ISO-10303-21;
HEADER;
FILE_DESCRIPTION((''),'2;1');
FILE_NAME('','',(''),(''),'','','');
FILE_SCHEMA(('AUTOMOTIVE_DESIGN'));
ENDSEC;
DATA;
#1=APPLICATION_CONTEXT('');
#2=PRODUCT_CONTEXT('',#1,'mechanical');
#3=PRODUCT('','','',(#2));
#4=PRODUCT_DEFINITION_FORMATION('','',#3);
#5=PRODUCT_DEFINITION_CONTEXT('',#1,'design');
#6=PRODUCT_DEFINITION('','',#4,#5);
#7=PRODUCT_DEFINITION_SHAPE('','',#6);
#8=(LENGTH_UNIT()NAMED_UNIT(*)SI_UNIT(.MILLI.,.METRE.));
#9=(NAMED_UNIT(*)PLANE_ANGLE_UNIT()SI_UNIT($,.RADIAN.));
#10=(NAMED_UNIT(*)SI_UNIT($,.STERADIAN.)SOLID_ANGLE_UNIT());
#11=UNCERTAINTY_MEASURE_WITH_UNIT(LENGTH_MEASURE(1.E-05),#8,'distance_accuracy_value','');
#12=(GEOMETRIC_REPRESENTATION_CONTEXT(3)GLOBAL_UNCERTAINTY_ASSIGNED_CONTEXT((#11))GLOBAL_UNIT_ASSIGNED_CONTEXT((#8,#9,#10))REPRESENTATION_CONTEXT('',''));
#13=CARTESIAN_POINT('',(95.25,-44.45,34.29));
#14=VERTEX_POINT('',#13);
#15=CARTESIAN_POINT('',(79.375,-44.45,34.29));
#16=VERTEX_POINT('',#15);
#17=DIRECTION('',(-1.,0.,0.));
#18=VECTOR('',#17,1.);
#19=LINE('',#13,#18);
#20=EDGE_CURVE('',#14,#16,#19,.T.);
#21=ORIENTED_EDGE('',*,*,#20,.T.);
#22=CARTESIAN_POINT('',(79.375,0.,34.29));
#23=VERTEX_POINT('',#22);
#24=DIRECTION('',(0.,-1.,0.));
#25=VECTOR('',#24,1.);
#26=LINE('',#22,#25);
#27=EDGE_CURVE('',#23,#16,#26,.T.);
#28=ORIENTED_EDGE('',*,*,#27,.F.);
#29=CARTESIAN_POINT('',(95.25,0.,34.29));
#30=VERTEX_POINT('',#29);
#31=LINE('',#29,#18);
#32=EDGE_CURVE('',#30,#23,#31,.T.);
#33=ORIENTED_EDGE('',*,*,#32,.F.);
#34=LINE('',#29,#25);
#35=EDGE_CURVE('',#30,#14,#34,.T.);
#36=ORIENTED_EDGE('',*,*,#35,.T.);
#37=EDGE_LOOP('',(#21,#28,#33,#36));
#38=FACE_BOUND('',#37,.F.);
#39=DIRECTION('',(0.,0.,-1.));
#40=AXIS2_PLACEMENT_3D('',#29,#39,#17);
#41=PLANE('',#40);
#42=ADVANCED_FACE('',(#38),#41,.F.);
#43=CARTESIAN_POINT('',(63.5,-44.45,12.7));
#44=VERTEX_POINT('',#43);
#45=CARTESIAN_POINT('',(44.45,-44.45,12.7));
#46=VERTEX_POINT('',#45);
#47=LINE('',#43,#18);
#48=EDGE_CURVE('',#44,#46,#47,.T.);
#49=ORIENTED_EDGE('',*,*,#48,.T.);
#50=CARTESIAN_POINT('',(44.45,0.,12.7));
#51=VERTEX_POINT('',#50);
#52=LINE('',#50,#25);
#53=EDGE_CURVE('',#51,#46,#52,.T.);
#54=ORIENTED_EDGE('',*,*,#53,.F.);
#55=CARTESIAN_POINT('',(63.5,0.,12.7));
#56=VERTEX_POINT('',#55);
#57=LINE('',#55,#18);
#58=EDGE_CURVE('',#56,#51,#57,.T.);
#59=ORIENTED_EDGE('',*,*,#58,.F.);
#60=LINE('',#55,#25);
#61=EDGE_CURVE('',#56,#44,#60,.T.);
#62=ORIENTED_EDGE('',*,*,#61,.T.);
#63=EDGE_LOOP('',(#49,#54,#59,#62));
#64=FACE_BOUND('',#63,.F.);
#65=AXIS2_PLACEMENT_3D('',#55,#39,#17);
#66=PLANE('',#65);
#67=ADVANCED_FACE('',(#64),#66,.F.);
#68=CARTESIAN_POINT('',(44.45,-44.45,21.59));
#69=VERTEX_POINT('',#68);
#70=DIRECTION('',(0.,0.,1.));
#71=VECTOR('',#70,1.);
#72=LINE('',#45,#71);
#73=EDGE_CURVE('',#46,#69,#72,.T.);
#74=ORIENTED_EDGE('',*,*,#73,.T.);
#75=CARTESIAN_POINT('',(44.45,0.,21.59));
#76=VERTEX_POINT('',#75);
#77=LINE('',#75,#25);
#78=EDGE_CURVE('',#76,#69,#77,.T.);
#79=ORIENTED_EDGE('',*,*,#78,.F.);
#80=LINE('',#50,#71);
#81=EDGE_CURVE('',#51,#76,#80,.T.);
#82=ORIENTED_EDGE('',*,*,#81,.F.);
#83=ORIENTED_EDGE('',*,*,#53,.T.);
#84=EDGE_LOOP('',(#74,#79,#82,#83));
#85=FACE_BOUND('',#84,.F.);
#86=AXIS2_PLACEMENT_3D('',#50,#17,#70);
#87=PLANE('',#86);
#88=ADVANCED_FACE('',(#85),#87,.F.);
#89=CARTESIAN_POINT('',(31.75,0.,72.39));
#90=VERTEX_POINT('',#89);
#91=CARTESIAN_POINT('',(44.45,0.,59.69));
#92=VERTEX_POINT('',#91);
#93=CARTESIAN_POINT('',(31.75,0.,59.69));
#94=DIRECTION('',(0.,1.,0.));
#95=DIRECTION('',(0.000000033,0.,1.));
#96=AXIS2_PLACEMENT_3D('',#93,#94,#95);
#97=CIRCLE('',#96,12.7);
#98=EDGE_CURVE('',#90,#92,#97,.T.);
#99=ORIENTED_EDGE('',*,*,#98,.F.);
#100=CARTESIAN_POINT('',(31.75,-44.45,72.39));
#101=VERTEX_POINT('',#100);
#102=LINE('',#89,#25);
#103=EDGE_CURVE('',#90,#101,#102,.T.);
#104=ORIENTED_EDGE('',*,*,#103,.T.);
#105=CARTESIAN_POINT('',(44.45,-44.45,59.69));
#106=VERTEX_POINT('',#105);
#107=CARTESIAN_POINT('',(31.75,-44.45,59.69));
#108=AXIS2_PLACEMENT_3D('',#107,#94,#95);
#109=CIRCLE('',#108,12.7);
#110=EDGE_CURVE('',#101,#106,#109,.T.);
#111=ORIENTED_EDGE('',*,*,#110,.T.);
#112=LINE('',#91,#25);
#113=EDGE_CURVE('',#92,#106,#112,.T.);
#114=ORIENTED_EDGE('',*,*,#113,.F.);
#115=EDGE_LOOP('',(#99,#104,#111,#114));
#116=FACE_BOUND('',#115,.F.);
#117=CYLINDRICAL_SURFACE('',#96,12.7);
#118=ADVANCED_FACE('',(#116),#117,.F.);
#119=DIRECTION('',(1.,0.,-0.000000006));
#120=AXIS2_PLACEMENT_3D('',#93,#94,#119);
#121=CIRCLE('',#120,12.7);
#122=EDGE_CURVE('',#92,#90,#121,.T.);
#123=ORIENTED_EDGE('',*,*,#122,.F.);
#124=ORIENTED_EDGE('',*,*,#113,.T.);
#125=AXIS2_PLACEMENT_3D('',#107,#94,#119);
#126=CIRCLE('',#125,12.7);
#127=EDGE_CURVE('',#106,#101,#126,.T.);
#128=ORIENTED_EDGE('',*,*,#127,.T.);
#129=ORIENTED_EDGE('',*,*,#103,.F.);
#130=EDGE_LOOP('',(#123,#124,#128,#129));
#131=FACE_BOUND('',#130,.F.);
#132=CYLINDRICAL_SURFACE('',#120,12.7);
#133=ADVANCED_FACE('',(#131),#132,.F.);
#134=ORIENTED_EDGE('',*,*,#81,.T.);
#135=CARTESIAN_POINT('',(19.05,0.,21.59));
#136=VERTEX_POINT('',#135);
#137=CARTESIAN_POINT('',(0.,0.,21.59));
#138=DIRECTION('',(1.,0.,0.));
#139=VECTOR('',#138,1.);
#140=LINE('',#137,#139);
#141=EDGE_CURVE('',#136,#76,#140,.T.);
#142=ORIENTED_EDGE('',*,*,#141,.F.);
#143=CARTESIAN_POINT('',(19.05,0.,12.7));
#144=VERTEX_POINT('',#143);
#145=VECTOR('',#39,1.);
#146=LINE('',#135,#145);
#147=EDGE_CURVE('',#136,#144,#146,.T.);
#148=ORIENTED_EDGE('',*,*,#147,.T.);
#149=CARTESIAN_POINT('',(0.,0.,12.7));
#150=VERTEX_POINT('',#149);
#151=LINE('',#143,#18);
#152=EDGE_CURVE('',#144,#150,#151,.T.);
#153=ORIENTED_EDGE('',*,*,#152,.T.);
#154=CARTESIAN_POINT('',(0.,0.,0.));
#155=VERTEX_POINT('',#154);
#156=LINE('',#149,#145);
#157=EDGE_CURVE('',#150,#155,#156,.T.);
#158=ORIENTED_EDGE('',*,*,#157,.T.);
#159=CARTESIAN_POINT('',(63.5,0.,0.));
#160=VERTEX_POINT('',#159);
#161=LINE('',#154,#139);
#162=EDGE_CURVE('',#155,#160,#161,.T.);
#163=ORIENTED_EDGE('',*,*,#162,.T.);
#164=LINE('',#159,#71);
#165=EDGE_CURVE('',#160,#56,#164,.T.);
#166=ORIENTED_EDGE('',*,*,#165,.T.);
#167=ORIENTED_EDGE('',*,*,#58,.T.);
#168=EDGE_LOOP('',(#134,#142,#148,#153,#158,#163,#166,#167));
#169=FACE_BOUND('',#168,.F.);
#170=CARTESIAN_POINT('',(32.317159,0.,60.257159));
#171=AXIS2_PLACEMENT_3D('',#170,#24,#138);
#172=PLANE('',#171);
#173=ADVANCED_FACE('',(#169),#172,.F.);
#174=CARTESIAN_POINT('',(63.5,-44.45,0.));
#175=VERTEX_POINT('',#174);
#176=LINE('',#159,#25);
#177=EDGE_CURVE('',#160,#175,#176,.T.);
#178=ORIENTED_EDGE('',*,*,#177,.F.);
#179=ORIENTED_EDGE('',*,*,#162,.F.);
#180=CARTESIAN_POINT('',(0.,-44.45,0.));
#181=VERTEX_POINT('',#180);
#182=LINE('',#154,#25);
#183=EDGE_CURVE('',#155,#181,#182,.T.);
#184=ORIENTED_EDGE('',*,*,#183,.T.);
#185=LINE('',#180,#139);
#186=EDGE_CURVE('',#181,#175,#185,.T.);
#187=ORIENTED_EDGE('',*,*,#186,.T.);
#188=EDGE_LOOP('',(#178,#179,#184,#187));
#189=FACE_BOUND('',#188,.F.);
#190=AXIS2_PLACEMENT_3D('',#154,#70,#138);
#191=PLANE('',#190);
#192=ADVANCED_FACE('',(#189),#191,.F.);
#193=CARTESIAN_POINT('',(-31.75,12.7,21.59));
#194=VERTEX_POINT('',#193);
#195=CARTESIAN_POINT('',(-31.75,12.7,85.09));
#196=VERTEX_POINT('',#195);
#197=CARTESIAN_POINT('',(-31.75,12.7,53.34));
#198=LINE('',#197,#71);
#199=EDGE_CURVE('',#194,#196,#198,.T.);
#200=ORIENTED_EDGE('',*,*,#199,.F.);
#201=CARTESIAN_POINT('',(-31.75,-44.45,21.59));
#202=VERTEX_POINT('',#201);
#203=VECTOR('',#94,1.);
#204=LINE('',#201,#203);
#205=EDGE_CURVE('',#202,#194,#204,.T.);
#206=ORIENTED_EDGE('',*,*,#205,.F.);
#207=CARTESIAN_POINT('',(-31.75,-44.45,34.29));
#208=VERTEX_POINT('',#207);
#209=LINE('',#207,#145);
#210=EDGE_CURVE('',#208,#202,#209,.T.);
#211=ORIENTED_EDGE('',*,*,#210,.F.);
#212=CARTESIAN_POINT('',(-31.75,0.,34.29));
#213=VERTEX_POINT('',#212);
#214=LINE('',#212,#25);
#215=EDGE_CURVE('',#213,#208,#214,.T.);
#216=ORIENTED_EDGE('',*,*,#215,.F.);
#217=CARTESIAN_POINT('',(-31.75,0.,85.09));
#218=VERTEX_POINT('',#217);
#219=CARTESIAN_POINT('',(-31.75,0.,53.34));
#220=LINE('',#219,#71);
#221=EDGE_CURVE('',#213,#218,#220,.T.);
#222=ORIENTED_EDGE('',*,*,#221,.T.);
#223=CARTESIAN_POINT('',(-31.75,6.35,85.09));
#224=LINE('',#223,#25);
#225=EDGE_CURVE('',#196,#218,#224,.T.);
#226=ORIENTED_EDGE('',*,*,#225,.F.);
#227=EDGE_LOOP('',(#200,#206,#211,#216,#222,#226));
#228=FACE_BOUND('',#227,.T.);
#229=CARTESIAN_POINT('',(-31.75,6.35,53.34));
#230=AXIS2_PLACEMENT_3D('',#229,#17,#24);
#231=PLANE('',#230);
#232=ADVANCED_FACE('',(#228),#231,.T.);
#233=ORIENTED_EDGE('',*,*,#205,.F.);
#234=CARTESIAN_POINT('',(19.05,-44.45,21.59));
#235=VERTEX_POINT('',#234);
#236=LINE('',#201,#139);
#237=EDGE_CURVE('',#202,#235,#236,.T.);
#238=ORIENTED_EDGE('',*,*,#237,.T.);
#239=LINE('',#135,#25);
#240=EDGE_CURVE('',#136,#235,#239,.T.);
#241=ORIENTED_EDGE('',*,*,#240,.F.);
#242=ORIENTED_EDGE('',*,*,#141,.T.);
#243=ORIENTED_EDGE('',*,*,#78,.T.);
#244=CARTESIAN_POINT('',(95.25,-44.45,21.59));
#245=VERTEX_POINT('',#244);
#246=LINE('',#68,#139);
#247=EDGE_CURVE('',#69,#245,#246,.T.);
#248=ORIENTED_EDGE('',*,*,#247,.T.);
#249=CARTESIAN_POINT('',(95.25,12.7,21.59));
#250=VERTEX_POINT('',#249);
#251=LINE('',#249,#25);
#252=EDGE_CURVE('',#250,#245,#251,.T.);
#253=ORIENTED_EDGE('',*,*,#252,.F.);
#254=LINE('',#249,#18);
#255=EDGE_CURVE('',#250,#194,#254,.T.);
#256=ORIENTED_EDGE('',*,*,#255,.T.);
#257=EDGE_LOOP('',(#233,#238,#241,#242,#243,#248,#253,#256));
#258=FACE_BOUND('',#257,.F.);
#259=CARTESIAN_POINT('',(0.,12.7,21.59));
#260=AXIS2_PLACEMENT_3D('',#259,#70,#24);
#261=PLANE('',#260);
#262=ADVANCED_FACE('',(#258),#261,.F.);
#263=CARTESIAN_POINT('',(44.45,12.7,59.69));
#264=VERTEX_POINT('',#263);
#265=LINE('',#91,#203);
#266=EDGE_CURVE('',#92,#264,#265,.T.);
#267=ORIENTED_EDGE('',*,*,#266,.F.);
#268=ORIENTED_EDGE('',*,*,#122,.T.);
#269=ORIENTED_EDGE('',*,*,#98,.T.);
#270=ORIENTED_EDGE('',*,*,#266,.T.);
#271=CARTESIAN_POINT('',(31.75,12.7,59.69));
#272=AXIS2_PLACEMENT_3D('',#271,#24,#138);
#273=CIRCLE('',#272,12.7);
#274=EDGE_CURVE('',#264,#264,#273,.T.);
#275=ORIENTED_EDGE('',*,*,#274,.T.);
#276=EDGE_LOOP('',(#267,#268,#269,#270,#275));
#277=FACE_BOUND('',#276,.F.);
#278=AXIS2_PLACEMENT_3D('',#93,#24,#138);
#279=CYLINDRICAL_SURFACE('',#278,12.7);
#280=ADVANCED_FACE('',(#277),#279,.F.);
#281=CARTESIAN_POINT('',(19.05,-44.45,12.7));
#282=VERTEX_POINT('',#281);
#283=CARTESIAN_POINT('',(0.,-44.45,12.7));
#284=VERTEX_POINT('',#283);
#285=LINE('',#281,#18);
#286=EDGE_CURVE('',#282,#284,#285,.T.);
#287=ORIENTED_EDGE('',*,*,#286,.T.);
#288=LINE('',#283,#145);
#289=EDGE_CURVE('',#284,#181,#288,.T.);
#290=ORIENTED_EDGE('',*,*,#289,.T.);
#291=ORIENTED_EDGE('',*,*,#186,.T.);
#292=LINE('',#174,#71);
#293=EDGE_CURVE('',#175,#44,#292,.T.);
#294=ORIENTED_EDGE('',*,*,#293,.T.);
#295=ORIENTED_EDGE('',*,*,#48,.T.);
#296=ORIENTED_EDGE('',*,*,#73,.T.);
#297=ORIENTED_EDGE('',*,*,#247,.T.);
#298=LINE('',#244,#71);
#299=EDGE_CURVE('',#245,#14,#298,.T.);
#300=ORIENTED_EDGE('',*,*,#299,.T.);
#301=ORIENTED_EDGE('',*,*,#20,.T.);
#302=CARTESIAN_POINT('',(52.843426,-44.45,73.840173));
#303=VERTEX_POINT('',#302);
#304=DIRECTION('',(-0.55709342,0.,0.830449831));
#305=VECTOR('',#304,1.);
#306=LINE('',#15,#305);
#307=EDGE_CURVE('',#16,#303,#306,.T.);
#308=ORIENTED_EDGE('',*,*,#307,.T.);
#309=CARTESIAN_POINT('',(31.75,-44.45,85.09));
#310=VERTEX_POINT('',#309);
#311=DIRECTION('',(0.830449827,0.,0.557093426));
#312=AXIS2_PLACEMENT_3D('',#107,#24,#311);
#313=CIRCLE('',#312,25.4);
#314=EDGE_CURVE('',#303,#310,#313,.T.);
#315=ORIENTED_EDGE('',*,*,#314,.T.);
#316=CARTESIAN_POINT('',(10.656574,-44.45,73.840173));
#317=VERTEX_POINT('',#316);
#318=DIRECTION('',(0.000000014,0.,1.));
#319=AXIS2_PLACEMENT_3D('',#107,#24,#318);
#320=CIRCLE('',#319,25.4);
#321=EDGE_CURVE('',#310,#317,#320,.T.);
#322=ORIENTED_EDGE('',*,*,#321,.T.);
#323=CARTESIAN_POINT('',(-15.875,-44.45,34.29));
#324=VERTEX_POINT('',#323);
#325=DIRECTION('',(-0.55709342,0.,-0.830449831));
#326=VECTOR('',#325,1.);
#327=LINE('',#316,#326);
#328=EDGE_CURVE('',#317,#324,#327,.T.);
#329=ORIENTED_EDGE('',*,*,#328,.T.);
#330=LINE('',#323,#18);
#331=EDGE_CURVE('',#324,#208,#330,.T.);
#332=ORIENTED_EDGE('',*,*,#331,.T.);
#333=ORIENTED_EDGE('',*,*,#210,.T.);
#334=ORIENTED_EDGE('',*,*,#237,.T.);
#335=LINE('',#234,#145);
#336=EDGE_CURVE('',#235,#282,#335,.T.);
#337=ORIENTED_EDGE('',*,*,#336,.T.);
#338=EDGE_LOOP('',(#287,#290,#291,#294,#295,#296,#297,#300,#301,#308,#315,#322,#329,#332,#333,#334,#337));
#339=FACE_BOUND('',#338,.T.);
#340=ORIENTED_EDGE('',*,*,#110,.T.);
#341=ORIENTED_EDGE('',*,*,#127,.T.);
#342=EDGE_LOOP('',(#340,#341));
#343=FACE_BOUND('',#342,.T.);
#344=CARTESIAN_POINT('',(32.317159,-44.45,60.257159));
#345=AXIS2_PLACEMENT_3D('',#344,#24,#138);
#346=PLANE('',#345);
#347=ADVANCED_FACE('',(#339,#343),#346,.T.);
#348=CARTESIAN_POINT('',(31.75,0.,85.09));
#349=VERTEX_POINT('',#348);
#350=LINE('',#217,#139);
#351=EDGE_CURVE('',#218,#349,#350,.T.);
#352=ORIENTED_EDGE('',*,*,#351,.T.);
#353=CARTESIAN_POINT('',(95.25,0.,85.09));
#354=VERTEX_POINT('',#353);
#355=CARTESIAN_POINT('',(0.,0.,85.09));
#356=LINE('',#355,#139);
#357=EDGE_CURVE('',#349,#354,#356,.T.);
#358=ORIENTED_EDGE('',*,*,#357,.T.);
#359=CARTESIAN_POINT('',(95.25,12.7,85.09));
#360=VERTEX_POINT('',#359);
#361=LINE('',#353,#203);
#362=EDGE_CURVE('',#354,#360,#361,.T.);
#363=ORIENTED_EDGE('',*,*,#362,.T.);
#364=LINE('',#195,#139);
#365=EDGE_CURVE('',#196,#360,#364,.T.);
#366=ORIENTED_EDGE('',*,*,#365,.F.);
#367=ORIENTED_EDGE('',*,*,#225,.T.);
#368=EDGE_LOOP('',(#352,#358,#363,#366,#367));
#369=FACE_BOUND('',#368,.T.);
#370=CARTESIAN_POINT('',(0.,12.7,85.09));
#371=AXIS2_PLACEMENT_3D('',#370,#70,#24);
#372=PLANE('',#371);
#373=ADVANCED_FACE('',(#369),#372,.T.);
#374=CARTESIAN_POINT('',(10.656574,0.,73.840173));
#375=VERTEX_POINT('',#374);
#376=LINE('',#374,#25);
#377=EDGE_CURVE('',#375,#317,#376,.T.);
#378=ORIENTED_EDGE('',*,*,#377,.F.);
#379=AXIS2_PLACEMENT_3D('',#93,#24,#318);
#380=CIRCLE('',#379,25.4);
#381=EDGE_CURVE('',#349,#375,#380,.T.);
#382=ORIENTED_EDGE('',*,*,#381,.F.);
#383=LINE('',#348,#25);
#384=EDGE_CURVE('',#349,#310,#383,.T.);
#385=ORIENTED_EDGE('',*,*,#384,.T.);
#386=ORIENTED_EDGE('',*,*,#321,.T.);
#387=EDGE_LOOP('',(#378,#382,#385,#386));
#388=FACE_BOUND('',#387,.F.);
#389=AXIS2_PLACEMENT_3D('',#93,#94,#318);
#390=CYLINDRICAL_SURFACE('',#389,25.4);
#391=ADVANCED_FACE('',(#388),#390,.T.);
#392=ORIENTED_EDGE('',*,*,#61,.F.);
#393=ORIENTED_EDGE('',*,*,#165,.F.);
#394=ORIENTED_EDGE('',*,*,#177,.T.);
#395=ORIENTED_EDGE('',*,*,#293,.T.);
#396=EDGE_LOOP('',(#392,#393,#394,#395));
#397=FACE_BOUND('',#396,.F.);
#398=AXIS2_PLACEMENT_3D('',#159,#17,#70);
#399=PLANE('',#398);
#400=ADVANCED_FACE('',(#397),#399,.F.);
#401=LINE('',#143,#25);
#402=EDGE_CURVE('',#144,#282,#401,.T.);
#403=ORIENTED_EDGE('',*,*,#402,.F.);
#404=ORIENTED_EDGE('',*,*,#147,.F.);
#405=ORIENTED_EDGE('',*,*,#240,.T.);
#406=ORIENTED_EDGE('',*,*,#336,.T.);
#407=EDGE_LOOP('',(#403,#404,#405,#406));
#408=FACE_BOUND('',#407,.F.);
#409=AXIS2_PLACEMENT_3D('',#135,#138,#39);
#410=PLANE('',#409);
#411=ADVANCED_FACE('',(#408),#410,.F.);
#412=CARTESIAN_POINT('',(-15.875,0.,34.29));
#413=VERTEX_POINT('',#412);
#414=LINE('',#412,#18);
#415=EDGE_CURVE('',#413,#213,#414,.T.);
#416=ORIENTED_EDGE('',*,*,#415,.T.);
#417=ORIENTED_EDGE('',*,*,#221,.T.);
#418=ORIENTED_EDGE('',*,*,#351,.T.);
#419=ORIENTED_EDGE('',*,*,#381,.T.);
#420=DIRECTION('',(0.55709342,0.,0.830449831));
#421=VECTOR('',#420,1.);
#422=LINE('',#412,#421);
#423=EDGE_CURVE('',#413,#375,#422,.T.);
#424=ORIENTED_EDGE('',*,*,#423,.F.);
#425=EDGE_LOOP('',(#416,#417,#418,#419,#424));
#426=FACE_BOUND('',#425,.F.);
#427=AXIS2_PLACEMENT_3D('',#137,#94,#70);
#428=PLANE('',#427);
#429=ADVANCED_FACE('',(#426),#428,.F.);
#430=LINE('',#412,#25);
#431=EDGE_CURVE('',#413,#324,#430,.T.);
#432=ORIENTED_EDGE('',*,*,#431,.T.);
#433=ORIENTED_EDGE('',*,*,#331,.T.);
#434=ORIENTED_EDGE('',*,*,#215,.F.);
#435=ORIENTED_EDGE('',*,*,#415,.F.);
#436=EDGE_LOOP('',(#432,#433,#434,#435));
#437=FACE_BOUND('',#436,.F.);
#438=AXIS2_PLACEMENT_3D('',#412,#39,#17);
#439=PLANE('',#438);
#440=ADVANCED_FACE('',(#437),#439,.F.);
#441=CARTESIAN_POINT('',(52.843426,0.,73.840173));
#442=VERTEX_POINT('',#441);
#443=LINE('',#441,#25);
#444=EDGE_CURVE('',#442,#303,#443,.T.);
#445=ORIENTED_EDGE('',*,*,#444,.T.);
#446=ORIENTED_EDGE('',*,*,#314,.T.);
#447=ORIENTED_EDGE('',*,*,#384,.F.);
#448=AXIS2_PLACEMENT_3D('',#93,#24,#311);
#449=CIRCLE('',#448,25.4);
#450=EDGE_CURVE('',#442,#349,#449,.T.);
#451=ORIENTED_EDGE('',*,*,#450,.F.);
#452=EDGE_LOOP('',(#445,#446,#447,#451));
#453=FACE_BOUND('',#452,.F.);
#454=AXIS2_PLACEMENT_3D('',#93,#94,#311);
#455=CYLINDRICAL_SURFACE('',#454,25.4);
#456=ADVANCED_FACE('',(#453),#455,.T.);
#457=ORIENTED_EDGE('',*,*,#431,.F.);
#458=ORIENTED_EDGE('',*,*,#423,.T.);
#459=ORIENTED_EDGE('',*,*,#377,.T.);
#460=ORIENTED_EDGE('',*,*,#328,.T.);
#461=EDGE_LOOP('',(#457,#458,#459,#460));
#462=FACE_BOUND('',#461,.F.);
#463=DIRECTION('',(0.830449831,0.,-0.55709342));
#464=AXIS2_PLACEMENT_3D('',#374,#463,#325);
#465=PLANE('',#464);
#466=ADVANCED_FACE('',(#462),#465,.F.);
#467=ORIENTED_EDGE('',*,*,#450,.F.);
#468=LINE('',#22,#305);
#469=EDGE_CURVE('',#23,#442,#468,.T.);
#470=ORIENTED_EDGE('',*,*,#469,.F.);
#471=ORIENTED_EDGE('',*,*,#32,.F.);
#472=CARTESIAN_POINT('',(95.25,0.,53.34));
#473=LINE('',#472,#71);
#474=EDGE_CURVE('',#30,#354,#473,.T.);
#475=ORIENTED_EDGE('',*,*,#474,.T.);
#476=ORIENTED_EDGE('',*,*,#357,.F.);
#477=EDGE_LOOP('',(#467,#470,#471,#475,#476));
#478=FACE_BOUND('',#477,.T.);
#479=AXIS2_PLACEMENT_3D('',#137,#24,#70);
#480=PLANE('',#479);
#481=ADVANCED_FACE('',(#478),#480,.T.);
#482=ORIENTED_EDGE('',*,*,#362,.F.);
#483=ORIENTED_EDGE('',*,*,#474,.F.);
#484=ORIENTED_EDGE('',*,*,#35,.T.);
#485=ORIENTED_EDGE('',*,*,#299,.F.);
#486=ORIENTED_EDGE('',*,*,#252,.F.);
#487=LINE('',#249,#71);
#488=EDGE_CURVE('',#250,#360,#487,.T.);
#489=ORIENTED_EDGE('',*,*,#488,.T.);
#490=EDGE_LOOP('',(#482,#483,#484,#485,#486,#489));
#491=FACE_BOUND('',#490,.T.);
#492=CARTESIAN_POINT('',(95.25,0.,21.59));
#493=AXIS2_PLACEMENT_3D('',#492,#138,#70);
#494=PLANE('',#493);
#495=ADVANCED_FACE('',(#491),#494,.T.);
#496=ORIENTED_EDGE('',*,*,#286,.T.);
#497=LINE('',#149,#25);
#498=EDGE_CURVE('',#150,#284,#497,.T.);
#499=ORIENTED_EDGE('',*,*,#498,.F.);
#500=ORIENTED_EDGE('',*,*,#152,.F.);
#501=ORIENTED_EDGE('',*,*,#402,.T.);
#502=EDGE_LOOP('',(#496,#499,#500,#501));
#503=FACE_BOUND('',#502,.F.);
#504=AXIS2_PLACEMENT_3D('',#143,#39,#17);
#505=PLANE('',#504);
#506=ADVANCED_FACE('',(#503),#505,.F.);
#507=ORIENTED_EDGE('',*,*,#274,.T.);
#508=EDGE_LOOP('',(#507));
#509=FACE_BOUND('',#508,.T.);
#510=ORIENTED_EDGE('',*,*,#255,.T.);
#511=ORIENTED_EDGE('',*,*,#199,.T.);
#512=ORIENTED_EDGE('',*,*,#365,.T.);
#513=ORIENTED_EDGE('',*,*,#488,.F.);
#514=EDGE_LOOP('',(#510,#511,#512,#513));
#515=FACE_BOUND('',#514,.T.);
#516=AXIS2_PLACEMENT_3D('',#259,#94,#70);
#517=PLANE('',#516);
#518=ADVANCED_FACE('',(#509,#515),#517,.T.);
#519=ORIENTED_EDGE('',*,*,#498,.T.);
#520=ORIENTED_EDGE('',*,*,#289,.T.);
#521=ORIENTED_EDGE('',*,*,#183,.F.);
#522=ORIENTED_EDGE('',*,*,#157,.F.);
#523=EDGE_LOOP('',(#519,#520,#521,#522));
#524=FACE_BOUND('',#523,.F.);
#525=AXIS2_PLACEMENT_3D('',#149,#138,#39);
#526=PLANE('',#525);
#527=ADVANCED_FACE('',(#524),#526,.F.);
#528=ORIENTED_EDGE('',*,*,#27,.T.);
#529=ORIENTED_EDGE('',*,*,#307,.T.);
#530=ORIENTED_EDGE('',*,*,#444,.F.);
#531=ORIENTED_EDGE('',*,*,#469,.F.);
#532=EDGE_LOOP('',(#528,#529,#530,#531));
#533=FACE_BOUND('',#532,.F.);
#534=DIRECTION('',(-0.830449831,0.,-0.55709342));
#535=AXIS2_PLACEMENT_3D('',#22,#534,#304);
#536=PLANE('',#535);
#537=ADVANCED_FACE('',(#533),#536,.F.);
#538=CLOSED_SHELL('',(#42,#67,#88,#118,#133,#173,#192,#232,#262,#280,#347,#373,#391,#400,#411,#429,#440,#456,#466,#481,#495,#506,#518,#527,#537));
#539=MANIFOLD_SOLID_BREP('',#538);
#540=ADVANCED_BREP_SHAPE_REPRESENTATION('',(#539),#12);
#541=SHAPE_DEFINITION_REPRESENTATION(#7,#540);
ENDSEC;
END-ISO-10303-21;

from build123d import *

# Parameters (mm, degrees)
F1_DEPTH = 44.45
F2_W     = 12.7
F2_H     = 63.5
F3_DEPTH = 158.75
F4_W     = 63.5
F4_H     = 63.5
F5_DEPTH = 50.8
F6_W     = 12.7
F6_H     = 63.5
F7_DEPTH = 31.75
F8_R     = 12.7
F9_DEPTH = 25.4


with BuildPart() as f1:
    # F0 (on Front) → F1 (new body)
    with BuildSketch(Plane.XZ):
        with BuildLine():
            ThreePointArc((44.45, 59.69), (40.730256, 68.670256), (31.75, 72.39))
            ThreePointArc((31.75, 72.39), (22.769744, 50.709744), (44.45, 59.69))
        make_face()
        with BuildLine():
            Line((0, 12.7), (0, 0))
            Line((0, 0), (63.5, 0))
            Line((63.5, 0), (63.5, 12.7))
            Line((63.5, 12.7), (44.45, 12.7))
            Line((44.45, 12.7), (44.45, 21.59))
            Line((44.45, 21.59), (95.25, 21.59))
            Line((95.25, 21.59), (95.25, 34.29))
            Line((95.25, 34.29), (79.375, 34.29))
            Line((79.375, 34.29), (52.843426, 73.840173))
            ThreePointArc((52.843426, 73.840173), (43.702941, 82.101765), (31.75, 85.09))
            ThreePointArc((31.75, 85.09), (19.797059, 82.101765), (10.656574, 73.840173))
            Line((10.656574, 73.840173), (-15.875, 34.29))
            Line((-15.875, 34.29), (-31.75, 34.29))
            Line((-31.75, 34.29), (-31.75, 21.59))
            Line((-31.75, 21.59), (19.05, 21.59))
            Line((19.05, 21.59), (19.05, 12.7))
            Line((19.05, 12.7), (0, 12.7))
        make_face()
        with BuildLine():
            ThreePointArc((44.45, 59.69), (22.769744, 50.709744), (31.75, 72.39))
            ThreePointArc((31.75, 72.39), (40.730256, 68.670256), (44.45, 59.69))
        make_face(mode=Mode.SUBTRACT)
    extrude(amount=F1_DEPTH)

    # F2 (on Right) → F3 (join)
    with BuildSketch(Plane.YZ):
        with Locations((6.35, 53.34)):
            Rectangle(F2_W, F2_H)
    extrude(amount=F3_DEPTH)

    # F4 (on face) → F5 (cut)
    with BuildSketch(Plane.XZ):
        with Locations((127, 53.34)):
            Rectangle(F4_W, F4_H)
    extrude(amount=-F5_DEPTH, mode=Mode.SUBTRACT)

    # F6 (on face) → F7 (join)
    with BuildSketch(Plane(origin=(0, 0, 0), x_dir=(0, -1, 0), z_dir=(-1, 0, 0))):
        with Locations((-6.35, 53.34)):
            Rectangle(F6_W, F6_H)
    extrude(amount=F7_DEPTH)

    # F8 (on face) → F9 (cut)
    with BuildSketch(Plane.XZ):
        with Locations((31.75, 59.69)):
            Circle(F8_R)
    extrude(amount=-F9_DEPTH, mode=Mode.SUBTRACT)


solid = f1.part
